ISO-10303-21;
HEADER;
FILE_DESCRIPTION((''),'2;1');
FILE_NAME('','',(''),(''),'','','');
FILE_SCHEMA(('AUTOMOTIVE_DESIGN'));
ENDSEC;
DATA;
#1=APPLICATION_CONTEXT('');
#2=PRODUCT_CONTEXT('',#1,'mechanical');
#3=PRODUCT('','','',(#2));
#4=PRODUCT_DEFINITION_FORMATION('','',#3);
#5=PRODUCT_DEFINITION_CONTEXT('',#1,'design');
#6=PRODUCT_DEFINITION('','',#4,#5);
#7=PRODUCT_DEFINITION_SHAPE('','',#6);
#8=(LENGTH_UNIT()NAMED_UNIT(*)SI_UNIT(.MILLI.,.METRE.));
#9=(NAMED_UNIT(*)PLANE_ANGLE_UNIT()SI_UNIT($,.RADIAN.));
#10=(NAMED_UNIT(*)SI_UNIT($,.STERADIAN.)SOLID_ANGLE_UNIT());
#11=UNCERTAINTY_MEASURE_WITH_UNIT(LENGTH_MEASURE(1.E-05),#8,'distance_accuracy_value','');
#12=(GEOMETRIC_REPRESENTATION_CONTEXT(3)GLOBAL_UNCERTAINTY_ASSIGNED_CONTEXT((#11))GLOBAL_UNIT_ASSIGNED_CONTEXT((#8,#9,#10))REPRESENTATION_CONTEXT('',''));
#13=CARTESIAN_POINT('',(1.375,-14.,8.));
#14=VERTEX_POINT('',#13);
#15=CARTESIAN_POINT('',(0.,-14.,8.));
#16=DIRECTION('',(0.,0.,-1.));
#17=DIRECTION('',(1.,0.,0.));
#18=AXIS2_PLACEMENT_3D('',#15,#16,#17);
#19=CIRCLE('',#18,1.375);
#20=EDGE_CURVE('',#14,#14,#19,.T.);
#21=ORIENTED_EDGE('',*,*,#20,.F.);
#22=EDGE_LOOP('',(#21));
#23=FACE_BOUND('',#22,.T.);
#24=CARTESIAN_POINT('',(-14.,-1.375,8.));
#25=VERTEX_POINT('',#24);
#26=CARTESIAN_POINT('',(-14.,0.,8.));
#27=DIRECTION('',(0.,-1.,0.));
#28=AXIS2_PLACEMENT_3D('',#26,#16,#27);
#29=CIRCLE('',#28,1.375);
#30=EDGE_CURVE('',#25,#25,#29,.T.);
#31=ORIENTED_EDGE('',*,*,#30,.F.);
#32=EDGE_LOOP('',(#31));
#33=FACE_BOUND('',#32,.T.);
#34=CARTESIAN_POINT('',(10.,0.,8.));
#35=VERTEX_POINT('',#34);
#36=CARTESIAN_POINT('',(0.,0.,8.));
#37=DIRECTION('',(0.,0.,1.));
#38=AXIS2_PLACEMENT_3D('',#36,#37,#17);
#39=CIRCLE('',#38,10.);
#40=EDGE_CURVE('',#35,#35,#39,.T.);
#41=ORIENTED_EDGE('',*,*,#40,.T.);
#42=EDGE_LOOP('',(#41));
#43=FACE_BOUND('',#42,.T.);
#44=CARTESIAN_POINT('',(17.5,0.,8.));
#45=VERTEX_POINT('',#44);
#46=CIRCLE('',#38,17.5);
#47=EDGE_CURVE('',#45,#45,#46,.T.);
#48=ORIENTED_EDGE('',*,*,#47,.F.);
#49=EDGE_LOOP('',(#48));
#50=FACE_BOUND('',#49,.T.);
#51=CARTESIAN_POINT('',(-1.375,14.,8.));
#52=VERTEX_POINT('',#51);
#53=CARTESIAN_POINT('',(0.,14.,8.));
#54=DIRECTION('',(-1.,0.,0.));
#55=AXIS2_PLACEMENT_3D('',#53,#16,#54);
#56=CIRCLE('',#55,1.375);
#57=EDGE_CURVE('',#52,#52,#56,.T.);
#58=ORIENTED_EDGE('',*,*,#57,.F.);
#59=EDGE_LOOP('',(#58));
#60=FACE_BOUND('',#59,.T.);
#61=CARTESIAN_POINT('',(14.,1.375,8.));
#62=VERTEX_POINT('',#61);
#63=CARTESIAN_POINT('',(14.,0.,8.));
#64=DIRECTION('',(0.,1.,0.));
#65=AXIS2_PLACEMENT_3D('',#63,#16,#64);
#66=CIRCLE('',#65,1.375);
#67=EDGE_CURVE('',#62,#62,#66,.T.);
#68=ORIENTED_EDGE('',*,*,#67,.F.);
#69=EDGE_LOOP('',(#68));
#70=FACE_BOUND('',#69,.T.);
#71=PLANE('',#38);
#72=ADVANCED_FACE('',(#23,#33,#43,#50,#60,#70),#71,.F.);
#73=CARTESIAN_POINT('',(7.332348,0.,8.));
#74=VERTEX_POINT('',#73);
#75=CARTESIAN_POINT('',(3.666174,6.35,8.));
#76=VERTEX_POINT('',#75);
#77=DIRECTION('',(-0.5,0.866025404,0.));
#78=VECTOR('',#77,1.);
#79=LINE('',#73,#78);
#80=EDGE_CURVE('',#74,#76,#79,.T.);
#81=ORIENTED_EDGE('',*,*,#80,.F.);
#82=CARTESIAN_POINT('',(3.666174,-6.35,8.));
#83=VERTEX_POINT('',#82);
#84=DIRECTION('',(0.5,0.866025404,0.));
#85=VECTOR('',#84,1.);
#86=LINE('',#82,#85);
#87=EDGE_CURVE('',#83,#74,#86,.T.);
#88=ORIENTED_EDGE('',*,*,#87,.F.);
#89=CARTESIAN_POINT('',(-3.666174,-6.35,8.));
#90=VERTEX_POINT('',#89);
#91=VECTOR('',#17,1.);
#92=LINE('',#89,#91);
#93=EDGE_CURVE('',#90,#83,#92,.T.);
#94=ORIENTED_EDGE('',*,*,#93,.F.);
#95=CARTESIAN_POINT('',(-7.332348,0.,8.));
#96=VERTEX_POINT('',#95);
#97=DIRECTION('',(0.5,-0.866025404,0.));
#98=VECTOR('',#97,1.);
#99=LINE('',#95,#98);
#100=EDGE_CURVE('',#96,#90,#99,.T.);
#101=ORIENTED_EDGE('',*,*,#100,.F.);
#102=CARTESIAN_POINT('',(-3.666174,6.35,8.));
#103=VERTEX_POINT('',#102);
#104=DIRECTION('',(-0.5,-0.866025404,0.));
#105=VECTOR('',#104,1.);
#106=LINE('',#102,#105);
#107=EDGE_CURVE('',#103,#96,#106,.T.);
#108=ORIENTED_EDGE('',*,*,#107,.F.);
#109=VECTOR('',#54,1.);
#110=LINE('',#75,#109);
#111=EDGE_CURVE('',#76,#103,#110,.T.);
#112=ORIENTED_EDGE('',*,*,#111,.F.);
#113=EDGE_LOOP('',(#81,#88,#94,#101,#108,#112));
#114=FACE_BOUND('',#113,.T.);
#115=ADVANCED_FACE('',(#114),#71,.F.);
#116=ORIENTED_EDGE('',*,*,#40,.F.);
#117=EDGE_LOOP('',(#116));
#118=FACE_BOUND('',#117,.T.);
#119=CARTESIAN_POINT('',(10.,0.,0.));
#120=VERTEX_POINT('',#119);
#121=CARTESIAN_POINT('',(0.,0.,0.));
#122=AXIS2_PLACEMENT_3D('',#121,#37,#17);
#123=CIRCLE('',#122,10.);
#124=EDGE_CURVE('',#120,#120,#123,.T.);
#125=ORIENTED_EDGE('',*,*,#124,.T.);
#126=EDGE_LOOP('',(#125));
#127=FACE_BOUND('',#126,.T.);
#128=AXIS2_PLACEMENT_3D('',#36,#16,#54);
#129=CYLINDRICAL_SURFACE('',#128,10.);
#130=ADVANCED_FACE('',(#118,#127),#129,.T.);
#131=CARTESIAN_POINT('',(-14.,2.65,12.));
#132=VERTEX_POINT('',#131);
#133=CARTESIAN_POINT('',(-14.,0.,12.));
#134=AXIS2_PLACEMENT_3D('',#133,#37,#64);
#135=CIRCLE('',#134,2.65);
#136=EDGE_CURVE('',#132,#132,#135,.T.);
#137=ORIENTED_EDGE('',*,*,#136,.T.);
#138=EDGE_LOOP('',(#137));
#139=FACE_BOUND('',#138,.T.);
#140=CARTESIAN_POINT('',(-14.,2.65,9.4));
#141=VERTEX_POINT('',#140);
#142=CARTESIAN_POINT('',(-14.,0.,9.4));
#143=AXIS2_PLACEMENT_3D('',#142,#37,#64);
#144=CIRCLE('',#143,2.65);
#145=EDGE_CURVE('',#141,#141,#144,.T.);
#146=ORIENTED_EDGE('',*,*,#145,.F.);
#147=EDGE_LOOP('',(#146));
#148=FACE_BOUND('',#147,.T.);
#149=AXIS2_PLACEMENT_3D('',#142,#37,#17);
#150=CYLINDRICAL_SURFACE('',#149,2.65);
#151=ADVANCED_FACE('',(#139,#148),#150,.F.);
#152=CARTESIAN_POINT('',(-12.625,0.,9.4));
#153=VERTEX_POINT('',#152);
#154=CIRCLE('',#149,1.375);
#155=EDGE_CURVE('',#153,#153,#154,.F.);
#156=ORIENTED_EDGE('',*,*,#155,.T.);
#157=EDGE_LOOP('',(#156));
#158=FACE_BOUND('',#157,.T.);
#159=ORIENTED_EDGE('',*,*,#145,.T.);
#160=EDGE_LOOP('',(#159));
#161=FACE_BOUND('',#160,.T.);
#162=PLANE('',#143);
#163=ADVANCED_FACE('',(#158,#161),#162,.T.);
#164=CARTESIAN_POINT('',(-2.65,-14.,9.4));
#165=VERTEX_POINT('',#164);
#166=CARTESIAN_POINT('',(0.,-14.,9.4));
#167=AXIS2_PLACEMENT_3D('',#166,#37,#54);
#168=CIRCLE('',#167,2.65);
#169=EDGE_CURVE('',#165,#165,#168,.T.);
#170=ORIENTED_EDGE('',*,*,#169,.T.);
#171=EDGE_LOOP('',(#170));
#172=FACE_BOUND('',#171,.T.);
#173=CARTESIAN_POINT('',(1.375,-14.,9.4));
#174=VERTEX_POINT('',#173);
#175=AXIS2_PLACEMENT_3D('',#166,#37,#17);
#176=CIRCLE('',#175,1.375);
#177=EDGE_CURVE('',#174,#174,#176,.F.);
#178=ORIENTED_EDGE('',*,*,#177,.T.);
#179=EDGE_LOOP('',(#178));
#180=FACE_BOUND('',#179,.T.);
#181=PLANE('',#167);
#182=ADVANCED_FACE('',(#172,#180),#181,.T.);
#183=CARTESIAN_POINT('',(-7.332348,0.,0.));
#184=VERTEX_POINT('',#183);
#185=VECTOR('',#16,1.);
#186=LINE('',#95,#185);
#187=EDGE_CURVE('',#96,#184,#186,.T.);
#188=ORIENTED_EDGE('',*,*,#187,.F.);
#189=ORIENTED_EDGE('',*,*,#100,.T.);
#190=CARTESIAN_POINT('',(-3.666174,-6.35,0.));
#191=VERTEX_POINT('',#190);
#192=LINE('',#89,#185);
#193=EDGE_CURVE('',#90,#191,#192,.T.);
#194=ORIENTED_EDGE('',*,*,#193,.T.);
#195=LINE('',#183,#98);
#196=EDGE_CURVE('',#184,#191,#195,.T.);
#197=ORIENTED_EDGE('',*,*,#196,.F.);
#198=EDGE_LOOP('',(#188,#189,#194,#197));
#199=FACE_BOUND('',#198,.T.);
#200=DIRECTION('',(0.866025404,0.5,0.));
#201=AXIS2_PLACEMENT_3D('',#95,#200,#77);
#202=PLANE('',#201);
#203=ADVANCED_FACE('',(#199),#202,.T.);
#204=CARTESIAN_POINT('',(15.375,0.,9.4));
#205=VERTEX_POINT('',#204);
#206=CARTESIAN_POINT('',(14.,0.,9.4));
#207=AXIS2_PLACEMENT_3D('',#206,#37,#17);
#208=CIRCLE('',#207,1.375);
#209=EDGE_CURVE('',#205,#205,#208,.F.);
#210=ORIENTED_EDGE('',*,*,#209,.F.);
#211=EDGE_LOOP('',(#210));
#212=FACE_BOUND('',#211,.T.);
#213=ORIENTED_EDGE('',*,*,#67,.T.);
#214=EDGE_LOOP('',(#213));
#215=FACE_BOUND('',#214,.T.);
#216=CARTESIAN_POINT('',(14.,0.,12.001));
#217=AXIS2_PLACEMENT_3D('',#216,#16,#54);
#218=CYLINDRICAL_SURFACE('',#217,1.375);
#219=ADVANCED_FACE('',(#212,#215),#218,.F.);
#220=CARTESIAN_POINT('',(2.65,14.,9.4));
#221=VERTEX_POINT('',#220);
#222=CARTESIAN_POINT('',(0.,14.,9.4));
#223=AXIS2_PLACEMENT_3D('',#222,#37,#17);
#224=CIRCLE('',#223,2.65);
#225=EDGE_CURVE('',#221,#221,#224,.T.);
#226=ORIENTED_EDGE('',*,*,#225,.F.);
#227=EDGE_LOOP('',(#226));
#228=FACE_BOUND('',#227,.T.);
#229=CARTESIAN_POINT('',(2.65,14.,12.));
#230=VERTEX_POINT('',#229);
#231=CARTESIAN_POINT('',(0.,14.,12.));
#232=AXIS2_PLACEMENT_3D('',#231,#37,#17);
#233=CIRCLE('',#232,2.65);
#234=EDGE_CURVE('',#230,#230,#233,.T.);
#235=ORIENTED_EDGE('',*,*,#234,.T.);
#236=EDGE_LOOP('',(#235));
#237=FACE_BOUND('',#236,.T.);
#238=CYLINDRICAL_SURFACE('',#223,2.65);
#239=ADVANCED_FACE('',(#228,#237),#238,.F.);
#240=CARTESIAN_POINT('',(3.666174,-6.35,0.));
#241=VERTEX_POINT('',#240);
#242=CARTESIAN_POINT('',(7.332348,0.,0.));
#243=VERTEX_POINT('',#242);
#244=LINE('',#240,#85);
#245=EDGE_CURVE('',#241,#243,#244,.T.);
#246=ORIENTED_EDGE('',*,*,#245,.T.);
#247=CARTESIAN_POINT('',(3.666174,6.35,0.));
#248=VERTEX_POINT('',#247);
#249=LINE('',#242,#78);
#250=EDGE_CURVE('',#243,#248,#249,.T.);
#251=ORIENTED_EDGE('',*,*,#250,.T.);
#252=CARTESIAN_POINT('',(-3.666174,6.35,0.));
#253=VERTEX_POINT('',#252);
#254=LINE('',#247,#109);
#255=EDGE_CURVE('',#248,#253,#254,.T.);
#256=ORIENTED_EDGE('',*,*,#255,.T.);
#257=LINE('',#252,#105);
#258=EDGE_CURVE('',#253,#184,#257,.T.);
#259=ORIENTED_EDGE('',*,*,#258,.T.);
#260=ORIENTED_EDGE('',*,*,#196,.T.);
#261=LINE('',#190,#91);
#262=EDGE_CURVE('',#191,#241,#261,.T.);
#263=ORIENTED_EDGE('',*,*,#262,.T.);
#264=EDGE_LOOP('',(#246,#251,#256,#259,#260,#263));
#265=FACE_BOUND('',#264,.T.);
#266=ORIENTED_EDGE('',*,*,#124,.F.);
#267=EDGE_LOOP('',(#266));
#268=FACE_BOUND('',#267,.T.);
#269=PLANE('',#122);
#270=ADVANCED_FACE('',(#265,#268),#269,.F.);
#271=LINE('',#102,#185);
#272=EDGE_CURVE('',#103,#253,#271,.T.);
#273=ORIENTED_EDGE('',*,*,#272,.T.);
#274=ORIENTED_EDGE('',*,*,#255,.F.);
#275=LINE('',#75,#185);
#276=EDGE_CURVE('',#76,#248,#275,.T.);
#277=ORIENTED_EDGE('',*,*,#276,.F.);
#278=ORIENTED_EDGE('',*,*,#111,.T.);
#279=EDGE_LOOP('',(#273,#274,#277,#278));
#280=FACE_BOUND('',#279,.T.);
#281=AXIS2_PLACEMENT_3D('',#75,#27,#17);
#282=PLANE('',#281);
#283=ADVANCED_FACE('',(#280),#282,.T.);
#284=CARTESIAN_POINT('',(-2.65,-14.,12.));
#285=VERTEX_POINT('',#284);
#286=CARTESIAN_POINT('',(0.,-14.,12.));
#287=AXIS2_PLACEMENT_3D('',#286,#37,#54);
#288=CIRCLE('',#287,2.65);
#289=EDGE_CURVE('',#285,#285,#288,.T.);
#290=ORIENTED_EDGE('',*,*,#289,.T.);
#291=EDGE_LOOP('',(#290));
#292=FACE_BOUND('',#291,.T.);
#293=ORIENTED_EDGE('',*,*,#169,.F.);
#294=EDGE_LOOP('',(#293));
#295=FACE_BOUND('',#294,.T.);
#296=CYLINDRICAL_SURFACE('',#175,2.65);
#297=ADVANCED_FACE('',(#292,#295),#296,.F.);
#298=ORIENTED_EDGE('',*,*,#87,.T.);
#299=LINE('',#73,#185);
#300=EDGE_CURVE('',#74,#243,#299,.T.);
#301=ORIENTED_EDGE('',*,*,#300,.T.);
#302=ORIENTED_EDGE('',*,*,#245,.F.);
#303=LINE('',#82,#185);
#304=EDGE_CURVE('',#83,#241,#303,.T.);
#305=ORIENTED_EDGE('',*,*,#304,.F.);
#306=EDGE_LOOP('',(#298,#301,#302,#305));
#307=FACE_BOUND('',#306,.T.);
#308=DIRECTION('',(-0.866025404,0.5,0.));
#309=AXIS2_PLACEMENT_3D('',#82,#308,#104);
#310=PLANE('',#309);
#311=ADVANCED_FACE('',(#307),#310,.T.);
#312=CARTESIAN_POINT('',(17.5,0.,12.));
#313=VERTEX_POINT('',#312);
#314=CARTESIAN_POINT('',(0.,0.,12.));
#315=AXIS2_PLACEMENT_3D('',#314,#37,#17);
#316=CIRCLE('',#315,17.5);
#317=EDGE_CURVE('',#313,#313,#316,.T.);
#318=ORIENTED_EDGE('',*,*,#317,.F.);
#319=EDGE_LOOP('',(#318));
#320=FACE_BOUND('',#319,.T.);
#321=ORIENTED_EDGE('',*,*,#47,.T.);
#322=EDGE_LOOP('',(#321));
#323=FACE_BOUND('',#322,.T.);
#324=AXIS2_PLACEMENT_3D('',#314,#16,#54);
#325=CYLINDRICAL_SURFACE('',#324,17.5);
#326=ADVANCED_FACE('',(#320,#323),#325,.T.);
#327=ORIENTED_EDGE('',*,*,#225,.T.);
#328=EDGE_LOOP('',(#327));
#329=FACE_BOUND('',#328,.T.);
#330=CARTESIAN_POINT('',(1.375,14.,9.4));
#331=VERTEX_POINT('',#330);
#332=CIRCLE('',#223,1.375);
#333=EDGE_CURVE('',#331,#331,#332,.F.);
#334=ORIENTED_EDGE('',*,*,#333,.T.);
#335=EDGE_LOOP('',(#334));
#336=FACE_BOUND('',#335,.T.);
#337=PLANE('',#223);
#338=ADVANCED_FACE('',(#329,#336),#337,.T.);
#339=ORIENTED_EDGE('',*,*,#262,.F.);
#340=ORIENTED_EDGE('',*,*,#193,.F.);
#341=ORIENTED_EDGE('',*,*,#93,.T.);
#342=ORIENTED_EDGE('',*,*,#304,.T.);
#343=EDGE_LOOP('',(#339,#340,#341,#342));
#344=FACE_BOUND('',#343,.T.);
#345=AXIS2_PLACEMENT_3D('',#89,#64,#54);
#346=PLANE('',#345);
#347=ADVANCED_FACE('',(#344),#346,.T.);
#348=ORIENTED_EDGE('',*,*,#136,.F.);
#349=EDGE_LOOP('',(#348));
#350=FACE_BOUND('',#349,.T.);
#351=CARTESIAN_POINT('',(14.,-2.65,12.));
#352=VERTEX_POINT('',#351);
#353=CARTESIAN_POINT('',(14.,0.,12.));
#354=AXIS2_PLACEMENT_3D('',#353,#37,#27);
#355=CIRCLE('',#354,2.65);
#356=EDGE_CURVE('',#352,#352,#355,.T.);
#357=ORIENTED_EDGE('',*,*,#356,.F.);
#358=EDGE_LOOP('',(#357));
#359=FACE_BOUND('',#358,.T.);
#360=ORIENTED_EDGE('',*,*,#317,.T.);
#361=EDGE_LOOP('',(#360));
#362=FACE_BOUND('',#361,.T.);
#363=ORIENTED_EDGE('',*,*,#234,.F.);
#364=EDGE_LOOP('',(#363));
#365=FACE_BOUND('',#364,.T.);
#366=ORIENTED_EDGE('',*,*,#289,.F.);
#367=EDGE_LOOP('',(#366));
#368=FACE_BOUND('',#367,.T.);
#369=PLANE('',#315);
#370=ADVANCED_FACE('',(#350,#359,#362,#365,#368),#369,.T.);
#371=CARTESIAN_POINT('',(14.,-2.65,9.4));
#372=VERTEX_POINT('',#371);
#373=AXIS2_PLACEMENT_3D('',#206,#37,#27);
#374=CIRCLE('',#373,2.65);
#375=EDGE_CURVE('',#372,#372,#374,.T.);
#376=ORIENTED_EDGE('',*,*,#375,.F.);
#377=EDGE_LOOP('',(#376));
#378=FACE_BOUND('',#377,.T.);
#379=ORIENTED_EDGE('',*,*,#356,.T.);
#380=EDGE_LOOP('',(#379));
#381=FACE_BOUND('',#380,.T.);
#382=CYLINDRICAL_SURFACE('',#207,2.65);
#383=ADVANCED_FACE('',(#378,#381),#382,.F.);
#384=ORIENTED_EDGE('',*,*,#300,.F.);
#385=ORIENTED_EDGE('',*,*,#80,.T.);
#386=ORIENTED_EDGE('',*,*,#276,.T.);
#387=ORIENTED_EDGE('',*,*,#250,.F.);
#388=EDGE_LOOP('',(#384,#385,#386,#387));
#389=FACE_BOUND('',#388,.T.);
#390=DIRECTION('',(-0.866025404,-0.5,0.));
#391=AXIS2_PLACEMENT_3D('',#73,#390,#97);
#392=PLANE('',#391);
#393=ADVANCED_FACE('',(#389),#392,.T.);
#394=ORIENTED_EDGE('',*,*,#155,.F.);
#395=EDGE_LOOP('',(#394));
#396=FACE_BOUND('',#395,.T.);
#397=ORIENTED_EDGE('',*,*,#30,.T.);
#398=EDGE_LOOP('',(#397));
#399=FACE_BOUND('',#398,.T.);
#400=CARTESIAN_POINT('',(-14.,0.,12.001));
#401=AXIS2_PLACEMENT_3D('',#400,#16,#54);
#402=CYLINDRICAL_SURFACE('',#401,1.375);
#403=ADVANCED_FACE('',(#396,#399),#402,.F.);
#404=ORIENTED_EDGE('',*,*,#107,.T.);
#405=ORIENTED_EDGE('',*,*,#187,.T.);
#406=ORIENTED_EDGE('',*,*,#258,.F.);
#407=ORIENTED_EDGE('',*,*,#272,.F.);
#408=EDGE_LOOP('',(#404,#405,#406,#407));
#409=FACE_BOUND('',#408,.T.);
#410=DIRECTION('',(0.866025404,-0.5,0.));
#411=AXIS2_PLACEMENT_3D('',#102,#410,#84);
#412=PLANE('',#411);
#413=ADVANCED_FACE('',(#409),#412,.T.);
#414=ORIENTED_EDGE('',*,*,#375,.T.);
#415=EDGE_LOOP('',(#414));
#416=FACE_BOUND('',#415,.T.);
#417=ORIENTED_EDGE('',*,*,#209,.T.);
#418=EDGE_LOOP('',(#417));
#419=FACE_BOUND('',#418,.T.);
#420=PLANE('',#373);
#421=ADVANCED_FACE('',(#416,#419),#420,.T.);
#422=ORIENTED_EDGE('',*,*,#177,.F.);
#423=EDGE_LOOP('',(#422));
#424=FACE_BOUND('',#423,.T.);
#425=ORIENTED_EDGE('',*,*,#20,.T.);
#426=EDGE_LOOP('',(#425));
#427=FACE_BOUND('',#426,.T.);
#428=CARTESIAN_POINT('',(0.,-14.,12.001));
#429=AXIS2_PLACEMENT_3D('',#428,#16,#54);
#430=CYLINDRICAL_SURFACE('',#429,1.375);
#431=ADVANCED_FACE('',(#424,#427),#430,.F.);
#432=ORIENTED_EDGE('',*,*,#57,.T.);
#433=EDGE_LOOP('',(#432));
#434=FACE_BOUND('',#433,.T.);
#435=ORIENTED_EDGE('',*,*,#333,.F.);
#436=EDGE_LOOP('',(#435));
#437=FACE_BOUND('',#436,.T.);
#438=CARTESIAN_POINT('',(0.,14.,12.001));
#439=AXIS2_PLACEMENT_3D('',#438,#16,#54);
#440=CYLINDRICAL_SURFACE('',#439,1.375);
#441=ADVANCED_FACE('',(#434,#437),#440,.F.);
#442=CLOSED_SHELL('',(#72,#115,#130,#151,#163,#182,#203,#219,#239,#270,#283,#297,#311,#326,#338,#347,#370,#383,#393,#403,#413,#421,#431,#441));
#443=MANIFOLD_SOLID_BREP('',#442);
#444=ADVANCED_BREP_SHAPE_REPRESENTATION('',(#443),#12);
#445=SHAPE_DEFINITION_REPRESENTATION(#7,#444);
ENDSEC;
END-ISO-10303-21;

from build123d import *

# Parameters (mm, degrees)
SKETCH1_R           = 10
BOSS_EXTRUDE1_DEPTH = 8
SKETCH2_R           = 17.5
BOSS_EXTRUDE2_DEPTH = 4
CUT_EXTRUDE1_REACH  = 28.01
SKETCH3_R           = 1.375
CIRPATTERN1_COUNT   = 4
SKETCH4_R           = 2.65
CUT_EXTRUDE2_DEPTH  = 2.6
CIRPATTERN2_COUNT   = 4


with BuildPart() as part:
    # Sketch1 → Boss-Extrude1 (new body)
    with BuildSketch(Plane.XY):
        Circle(SKETCH1_R)
        Polygon((7.332348419, 0), (3.666174209, 6.35), (-3.666174209, 6.35), (-7.332348419, 0), (-3.666174209, -6.35), (3.666174209, -6.35), align=None, mode=Mode.SUBTRACT)
    extrude(amount=BOSS_EXTRUDE1_DEPTH)

    # Sketch2 → Boss-Extrude2 (add)
    with BuildSketch(Plane.XY.offset(8)):
        Circle(SKETCH2_R)
    extrude(amount=BOSS_EXTRUDE2_DEPTH)

    # Sketch3 → Cut-Extrude1 (cut, up to next)
    with BuildSketch(Plane(origin=(0, 0, 8), x_dir=(-1, 0, 0), z_dir=(0, 0, -1)), mode=Mode.PRIVATE) as cut_extrude1_sk1:
        with Locations((0, 14)):
            Circle(SKETCH3_R)
    cut_extrude1_tool1 = extrude(cut_extrude1_sk1.sketch, amount=-CUT_EXTRUDE1_REACH, mode=Mode.PRIVATE) & part.part
    cut_extrude1 = cut_extrude1_tool1.solids().sort_by_distance((0, 14, 8))[0]
    add(cut_extrude1, mode=Mode.SUBTRACT)

    # CirPattern1: Cut-Extrude1 ×4 about axis
    cirpattern1_axis = Axis((0, 0, 0), (0, 0, 1))
    for i in range(1, CIRPATTERN1_COUNT):
        add(cut_extrude1.rotate(cirpattern1_axis, i * 360 / CIRPATTERN1_COUNT), mode=Mode.SUBTRACT)

    # Sketch4 → Cut-Extrude2 (cut)
    with BuildSketch(Plane.XY.offset(12)):
        with Locations((0, 14)):
            Circle(SKETCH4_R)
    cut_extrude2 = extrude(amount=-CUT_EXTRUDE2_DEPTH, mode=Mode.SUBTRACT)

    # CirPattern2: Cut-Extrude2 ×4 about axis
    cirpattern2_axis = Axis((0, 0, 0), (0, 0, 1))
    for i in range(1, CIRPATTERN2_COUNT):
        add(cut_extrude2.rotate(cirpattern2_axis, i * 360 / CIRPATTERN2_COUNT), mode=Mode.SUBTRACT)


solid = part.part
